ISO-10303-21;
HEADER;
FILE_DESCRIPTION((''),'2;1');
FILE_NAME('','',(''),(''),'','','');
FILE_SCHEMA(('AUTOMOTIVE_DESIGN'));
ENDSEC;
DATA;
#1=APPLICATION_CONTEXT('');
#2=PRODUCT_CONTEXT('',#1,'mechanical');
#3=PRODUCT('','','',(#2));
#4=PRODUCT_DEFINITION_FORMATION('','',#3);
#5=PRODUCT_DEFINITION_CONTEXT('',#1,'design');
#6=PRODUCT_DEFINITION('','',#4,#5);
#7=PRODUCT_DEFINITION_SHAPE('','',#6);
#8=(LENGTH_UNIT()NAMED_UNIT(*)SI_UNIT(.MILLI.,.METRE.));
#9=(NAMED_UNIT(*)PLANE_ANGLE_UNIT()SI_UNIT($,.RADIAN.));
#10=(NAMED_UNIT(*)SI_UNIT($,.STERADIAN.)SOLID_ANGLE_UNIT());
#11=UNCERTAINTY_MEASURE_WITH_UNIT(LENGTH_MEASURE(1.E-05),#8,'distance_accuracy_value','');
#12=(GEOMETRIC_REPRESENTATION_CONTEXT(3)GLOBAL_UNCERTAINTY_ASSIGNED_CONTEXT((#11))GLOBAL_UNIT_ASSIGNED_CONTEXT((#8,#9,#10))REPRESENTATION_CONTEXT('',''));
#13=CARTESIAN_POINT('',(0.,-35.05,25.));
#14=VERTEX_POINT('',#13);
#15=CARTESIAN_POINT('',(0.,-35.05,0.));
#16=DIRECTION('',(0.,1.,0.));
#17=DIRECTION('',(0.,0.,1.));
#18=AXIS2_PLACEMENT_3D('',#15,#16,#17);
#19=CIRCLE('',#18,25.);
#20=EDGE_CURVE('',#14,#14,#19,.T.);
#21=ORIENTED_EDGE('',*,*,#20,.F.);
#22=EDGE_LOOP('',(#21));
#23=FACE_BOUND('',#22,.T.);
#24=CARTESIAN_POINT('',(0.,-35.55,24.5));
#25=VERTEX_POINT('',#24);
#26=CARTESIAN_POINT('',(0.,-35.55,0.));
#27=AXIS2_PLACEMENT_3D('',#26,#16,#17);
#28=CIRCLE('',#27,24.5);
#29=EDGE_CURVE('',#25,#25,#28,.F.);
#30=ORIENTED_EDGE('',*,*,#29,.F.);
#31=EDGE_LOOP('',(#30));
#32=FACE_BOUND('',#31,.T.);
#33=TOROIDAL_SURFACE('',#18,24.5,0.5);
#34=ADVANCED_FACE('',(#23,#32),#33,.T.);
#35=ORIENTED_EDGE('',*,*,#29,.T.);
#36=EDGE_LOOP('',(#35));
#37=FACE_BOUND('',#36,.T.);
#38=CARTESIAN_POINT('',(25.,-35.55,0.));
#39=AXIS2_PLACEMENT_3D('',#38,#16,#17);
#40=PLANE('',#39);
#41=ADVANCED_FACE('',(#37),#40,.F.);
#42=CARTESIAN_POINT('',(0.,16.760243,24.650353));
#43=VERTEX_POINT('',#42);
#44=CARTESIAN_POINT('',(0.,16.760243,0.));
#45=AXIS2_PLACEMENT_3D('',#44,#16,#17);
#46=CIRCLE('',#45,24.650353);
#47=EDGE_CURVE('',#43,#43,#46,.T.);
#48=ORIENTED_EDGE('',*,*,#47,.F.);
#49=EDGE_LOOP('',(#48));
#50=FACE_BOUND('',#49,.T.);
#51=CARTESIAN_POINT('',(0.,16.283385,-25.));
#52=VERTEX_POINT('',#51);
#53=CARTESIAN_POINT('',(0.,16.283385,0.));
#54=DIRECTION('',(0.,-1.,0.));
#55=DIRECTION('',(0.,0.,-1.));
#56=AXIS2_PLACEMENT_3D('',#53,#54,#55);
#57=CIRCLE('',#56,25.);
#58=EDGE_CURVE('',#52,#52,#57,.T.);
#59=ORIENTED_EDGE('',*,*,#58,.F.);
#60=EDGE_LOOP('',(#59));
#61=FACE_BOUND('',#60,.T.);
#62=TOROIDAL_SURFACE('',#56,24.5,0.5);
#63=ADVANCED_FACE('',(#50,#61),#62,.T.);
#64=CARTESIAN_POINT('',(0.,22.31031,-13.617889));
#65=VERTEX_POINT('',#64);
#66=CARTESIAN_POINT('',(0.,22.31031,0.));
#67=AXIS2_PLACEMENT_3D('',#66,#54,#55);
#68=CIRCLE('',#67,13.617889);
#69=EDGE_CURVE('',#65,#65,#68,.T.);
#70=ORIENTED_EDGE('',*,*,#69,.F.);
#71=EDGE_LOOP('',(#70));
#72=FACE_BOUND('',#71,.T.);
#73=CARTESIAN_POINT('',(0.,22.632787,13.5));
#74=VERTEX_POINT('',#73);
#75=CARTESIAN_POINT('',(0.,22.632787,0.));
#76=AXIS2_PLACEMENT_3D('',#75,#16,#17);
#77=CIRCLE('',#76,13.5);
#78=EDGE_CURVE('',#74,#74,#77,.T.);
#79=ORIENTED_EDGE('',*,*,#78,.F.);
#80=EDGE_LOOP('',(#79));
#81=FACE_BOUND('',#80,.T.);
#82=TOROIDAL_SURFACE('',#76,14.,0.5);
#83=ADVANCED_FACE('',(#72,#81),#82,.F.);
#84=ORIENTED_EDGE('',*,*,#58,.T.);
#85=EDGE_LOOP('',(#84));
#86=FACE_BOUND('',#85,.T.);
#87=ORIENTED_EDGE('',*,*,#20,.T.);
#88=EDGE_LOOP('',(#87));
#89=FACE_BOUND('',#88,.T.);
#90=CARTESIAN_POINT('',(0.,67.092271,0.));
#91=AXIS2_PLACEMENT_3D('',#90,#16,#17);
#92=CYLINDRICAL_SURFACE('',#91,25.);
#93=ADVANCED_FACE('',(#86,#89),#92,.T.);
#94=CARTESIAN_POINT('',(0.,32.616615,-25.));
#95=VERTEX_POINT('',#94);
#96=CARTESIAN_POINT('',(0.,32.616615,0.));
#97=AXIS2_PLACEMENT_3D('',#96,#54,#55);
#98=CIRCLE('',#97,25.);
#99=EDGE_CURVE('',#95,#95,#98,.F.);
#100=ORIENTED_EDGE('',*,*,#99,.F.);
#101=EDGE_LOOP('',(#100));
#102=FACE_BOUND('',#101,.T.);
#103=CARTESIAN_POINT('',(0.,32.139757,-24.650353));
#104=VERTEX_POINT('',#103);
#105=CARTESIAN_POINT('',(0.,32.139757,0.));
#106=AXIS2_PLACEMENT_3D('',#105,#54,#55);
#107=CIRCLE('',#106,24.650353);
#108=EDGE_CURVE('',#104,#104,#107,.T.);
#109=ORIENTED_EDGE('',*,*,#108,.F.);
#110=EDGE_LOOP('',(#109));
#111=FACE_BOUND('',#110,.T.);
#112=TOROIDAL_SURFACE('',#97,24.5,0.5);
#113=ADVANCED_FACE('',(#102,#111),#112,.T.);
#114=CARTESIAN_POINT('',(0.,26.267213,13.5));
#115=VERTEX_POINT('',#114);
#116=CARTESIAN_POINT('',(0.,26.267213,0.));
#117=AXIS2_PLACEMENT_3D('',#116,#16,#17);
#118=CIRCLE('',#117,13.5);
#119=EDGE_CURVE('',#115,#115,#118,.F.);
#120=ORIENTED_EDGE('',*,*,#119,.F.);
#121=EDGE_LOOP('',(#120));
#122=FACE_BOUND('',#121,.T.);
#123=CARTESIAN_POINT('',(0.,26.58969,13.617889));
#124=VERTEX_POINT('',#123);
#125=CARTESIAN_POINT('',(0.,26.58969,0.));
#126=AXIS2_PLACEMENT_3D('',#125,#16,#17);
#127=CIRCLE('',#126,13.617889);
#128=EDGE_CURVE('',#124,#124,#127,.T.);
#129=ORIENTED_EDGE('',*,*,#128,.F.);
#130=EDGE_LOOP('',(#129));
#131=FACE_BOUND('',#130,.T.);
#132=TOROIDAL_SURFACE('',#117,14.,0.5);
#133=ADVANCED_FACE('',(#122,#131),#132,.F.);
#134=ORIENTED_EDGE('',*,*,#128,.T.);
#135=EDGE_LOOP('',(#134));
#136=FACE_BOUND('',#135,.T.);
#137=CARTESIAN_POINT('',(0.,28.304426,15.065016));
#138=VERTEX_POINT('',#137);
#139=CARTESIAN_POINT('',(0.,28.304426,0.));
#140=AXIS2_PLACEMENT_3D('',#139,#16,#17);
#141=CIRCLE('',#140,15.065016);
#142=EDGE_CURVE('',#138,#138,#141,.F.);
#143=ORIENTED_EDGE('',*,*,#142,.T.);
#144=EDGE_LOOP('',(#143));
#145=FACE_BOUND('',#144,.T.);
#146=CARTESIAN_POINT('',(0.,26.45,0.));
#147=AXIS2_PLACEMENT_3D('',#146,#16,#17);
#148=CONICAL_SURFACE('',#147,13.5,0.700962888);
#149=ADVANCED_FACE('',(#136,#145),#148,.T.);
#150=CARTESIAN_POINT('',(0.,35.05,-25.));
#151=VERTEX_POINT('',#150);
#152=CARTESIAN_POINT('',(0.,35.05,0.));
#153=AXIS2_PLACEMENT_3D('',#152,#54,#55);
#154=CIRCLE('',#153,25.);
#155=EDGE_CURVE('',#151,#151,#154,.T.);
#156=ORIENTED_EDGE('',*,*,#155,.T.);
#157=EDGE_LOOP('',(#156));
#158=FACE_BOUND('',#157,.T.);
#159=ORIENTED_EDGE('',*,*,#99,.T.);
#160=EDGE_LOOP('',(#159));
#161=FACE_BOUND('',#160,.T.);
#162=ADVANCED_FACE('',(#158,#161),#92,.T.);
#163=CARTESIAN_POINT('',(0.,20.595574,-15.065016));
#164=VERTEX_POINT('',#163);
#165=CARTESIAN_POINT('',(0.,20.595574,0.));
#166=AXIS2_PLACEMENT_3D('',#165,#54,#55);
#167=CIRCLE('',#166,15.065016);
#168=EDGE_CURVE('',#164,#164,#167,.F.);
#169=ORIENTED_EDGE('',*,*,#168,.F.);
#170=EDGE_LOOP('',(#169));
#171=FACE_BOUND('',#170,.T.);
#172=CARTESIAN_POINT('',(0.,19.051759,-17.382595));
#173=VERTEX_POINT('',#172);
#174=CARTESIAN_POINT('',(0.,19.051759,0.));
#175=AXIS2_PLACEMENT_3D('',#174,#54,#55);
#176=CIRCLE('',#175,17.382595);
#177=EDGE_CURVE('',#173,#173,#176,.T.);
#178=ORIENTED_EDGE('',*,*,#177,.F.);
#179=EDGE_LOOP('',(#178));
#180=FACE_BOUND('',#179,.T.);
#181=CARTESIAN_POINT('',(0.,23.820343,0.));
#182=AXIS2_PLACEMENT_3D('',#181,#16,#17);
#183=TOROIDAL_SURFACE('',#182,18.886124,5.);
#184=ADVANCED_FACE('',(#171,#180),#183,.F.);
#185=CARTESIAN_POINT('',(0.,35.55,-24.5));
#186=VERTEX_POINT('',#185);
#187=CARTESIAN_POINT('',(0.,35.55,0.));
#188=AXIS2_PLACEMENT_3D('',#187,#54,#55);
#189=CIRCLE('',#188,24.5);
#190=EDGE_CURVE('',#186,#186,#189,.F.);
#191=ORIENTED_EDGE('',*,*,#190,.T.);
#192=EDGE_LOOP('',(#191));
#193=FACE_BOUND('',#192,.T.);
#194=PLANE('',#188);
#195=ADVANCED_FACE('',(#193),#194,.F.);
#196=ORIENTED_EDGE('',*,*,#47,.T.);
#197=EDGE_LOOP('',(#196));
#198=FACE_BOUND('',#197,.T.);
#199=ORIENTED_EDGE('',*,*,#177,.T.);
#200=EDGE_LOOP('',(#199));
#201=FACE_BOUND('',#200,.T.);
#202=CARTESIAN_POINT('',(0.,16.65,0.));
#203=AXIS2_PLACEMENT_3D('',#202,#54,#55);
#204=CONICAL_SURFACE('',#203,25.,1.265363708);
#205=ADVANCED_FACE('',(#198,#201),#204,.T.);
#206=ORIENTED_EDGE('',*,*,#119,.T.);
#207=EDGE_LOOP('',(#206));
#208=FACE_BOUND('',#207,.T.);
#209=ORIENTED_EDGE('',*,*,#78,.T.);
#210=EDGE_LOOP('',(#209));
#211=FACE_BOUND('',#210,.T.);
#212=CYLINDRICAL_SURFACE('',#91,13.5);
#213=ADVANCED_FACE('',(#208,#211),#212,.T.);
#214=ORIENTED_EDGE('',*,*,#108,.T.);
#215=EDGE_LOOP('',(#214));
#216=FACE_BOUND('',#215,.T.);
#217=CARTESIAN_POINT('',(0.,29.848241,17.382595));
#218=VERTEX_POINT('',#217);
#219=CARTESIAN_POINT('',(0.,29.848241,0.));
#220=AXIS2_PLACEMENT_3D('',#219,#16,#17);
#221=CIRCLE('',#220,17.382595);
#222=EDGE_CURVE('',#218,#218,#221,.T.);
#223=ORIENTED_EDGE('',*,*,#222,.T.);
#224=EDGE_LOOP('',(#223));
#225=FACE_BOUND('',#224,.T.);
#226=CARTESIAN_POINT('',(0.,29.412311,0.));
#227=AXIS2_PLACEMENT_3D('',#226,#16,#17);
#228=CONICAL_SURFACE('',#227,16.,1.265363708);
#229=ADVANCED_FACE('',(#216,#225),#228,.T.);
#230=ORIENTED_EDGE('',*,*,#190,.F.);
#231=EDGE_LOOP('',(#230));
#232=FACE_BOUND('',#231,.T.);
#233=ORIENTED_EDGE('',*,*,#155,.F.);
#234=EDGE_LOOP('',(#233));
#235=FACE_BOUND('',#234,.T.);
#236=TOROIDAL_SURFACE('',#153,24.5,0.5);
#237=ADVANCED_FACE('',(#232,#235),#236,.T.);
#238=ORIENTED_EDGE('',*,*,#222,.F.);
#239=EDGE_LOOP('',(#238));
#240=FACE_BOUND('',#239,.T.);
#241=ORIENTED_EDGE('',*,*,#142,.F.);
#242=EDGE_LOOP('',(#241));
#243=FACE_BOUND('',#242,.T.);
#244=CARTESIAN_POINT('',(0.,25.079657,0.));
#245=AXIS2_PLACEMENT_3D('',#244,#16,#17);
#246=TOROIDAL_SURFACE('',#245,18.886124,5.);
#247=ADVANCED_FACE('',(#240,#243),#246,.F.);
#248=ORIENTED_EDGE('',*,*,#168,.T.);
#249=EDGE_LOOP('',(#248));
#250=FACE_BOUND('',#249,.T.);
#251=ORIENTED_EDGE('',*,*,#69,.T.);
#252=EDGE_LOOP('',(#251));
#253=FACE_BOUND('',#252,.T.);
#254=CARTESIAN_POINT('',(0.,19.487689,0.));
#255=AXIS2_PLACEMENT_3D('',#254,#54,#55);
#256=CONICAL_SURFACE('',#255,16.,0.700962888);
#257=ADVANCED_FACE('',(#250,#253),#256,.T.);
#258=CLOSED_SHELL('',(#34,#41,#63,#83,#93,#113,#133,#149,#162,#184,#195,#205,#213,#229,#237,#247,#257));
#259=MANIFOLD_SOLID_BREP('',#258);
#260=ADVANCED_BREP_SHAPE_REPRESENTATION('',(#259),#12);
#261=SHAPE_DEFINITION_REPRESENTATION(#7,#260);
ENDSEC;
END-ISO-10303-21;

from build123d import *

# Parameters (mm, degrees)
FILLET1_R = 5
FILLET2_R = 0.5


with BuildPart() as part:
    # Sketch1 → Revolve1 (revolve)
    with BuildSketch(Plane.XY, mode=Mode.PRIVATE) as revolve1_sk:
        Polygon((25, 32.25), (16, 29.4123109), (13.5, 26.45), (13.5, 22.45), (16, 19.4876891), (25, 16.65), (25, -35.55), (0, -35.55), (0, 35.55), (25, 35.55), align=None)
    revolve(revolve1_sk.sketch.rotate(Axis((0, 67.092271098, 0), (0, -1, 0)), 90), axis=Axis((0, 67.092271098, 0), (0, -1, 0)))

    # Fillet1
    fillet1_edges = [part.edges().sort_by_distance(p)[0] for p in [
        (0, 19.4876891, -16),
        (0, 29.4123109, -16),
    ]]
    fillet(fillet1_edges, radius=FILLET1_R)

    # Fillet2
    fillet2_edges = [part.edges().sort_by_distance(p)[0] for p in [
        (0, 16.65, -25),
        (0, -35.55, -25),
        (0, 35.55, -25),
        (0, 32.25, -25),
        (0, 26.45, -13.5),
        (0, 22.45, -13.5),
    ]]
    fillet(fillet2_edges, radius=FILLET2_R)


solid = part.part
